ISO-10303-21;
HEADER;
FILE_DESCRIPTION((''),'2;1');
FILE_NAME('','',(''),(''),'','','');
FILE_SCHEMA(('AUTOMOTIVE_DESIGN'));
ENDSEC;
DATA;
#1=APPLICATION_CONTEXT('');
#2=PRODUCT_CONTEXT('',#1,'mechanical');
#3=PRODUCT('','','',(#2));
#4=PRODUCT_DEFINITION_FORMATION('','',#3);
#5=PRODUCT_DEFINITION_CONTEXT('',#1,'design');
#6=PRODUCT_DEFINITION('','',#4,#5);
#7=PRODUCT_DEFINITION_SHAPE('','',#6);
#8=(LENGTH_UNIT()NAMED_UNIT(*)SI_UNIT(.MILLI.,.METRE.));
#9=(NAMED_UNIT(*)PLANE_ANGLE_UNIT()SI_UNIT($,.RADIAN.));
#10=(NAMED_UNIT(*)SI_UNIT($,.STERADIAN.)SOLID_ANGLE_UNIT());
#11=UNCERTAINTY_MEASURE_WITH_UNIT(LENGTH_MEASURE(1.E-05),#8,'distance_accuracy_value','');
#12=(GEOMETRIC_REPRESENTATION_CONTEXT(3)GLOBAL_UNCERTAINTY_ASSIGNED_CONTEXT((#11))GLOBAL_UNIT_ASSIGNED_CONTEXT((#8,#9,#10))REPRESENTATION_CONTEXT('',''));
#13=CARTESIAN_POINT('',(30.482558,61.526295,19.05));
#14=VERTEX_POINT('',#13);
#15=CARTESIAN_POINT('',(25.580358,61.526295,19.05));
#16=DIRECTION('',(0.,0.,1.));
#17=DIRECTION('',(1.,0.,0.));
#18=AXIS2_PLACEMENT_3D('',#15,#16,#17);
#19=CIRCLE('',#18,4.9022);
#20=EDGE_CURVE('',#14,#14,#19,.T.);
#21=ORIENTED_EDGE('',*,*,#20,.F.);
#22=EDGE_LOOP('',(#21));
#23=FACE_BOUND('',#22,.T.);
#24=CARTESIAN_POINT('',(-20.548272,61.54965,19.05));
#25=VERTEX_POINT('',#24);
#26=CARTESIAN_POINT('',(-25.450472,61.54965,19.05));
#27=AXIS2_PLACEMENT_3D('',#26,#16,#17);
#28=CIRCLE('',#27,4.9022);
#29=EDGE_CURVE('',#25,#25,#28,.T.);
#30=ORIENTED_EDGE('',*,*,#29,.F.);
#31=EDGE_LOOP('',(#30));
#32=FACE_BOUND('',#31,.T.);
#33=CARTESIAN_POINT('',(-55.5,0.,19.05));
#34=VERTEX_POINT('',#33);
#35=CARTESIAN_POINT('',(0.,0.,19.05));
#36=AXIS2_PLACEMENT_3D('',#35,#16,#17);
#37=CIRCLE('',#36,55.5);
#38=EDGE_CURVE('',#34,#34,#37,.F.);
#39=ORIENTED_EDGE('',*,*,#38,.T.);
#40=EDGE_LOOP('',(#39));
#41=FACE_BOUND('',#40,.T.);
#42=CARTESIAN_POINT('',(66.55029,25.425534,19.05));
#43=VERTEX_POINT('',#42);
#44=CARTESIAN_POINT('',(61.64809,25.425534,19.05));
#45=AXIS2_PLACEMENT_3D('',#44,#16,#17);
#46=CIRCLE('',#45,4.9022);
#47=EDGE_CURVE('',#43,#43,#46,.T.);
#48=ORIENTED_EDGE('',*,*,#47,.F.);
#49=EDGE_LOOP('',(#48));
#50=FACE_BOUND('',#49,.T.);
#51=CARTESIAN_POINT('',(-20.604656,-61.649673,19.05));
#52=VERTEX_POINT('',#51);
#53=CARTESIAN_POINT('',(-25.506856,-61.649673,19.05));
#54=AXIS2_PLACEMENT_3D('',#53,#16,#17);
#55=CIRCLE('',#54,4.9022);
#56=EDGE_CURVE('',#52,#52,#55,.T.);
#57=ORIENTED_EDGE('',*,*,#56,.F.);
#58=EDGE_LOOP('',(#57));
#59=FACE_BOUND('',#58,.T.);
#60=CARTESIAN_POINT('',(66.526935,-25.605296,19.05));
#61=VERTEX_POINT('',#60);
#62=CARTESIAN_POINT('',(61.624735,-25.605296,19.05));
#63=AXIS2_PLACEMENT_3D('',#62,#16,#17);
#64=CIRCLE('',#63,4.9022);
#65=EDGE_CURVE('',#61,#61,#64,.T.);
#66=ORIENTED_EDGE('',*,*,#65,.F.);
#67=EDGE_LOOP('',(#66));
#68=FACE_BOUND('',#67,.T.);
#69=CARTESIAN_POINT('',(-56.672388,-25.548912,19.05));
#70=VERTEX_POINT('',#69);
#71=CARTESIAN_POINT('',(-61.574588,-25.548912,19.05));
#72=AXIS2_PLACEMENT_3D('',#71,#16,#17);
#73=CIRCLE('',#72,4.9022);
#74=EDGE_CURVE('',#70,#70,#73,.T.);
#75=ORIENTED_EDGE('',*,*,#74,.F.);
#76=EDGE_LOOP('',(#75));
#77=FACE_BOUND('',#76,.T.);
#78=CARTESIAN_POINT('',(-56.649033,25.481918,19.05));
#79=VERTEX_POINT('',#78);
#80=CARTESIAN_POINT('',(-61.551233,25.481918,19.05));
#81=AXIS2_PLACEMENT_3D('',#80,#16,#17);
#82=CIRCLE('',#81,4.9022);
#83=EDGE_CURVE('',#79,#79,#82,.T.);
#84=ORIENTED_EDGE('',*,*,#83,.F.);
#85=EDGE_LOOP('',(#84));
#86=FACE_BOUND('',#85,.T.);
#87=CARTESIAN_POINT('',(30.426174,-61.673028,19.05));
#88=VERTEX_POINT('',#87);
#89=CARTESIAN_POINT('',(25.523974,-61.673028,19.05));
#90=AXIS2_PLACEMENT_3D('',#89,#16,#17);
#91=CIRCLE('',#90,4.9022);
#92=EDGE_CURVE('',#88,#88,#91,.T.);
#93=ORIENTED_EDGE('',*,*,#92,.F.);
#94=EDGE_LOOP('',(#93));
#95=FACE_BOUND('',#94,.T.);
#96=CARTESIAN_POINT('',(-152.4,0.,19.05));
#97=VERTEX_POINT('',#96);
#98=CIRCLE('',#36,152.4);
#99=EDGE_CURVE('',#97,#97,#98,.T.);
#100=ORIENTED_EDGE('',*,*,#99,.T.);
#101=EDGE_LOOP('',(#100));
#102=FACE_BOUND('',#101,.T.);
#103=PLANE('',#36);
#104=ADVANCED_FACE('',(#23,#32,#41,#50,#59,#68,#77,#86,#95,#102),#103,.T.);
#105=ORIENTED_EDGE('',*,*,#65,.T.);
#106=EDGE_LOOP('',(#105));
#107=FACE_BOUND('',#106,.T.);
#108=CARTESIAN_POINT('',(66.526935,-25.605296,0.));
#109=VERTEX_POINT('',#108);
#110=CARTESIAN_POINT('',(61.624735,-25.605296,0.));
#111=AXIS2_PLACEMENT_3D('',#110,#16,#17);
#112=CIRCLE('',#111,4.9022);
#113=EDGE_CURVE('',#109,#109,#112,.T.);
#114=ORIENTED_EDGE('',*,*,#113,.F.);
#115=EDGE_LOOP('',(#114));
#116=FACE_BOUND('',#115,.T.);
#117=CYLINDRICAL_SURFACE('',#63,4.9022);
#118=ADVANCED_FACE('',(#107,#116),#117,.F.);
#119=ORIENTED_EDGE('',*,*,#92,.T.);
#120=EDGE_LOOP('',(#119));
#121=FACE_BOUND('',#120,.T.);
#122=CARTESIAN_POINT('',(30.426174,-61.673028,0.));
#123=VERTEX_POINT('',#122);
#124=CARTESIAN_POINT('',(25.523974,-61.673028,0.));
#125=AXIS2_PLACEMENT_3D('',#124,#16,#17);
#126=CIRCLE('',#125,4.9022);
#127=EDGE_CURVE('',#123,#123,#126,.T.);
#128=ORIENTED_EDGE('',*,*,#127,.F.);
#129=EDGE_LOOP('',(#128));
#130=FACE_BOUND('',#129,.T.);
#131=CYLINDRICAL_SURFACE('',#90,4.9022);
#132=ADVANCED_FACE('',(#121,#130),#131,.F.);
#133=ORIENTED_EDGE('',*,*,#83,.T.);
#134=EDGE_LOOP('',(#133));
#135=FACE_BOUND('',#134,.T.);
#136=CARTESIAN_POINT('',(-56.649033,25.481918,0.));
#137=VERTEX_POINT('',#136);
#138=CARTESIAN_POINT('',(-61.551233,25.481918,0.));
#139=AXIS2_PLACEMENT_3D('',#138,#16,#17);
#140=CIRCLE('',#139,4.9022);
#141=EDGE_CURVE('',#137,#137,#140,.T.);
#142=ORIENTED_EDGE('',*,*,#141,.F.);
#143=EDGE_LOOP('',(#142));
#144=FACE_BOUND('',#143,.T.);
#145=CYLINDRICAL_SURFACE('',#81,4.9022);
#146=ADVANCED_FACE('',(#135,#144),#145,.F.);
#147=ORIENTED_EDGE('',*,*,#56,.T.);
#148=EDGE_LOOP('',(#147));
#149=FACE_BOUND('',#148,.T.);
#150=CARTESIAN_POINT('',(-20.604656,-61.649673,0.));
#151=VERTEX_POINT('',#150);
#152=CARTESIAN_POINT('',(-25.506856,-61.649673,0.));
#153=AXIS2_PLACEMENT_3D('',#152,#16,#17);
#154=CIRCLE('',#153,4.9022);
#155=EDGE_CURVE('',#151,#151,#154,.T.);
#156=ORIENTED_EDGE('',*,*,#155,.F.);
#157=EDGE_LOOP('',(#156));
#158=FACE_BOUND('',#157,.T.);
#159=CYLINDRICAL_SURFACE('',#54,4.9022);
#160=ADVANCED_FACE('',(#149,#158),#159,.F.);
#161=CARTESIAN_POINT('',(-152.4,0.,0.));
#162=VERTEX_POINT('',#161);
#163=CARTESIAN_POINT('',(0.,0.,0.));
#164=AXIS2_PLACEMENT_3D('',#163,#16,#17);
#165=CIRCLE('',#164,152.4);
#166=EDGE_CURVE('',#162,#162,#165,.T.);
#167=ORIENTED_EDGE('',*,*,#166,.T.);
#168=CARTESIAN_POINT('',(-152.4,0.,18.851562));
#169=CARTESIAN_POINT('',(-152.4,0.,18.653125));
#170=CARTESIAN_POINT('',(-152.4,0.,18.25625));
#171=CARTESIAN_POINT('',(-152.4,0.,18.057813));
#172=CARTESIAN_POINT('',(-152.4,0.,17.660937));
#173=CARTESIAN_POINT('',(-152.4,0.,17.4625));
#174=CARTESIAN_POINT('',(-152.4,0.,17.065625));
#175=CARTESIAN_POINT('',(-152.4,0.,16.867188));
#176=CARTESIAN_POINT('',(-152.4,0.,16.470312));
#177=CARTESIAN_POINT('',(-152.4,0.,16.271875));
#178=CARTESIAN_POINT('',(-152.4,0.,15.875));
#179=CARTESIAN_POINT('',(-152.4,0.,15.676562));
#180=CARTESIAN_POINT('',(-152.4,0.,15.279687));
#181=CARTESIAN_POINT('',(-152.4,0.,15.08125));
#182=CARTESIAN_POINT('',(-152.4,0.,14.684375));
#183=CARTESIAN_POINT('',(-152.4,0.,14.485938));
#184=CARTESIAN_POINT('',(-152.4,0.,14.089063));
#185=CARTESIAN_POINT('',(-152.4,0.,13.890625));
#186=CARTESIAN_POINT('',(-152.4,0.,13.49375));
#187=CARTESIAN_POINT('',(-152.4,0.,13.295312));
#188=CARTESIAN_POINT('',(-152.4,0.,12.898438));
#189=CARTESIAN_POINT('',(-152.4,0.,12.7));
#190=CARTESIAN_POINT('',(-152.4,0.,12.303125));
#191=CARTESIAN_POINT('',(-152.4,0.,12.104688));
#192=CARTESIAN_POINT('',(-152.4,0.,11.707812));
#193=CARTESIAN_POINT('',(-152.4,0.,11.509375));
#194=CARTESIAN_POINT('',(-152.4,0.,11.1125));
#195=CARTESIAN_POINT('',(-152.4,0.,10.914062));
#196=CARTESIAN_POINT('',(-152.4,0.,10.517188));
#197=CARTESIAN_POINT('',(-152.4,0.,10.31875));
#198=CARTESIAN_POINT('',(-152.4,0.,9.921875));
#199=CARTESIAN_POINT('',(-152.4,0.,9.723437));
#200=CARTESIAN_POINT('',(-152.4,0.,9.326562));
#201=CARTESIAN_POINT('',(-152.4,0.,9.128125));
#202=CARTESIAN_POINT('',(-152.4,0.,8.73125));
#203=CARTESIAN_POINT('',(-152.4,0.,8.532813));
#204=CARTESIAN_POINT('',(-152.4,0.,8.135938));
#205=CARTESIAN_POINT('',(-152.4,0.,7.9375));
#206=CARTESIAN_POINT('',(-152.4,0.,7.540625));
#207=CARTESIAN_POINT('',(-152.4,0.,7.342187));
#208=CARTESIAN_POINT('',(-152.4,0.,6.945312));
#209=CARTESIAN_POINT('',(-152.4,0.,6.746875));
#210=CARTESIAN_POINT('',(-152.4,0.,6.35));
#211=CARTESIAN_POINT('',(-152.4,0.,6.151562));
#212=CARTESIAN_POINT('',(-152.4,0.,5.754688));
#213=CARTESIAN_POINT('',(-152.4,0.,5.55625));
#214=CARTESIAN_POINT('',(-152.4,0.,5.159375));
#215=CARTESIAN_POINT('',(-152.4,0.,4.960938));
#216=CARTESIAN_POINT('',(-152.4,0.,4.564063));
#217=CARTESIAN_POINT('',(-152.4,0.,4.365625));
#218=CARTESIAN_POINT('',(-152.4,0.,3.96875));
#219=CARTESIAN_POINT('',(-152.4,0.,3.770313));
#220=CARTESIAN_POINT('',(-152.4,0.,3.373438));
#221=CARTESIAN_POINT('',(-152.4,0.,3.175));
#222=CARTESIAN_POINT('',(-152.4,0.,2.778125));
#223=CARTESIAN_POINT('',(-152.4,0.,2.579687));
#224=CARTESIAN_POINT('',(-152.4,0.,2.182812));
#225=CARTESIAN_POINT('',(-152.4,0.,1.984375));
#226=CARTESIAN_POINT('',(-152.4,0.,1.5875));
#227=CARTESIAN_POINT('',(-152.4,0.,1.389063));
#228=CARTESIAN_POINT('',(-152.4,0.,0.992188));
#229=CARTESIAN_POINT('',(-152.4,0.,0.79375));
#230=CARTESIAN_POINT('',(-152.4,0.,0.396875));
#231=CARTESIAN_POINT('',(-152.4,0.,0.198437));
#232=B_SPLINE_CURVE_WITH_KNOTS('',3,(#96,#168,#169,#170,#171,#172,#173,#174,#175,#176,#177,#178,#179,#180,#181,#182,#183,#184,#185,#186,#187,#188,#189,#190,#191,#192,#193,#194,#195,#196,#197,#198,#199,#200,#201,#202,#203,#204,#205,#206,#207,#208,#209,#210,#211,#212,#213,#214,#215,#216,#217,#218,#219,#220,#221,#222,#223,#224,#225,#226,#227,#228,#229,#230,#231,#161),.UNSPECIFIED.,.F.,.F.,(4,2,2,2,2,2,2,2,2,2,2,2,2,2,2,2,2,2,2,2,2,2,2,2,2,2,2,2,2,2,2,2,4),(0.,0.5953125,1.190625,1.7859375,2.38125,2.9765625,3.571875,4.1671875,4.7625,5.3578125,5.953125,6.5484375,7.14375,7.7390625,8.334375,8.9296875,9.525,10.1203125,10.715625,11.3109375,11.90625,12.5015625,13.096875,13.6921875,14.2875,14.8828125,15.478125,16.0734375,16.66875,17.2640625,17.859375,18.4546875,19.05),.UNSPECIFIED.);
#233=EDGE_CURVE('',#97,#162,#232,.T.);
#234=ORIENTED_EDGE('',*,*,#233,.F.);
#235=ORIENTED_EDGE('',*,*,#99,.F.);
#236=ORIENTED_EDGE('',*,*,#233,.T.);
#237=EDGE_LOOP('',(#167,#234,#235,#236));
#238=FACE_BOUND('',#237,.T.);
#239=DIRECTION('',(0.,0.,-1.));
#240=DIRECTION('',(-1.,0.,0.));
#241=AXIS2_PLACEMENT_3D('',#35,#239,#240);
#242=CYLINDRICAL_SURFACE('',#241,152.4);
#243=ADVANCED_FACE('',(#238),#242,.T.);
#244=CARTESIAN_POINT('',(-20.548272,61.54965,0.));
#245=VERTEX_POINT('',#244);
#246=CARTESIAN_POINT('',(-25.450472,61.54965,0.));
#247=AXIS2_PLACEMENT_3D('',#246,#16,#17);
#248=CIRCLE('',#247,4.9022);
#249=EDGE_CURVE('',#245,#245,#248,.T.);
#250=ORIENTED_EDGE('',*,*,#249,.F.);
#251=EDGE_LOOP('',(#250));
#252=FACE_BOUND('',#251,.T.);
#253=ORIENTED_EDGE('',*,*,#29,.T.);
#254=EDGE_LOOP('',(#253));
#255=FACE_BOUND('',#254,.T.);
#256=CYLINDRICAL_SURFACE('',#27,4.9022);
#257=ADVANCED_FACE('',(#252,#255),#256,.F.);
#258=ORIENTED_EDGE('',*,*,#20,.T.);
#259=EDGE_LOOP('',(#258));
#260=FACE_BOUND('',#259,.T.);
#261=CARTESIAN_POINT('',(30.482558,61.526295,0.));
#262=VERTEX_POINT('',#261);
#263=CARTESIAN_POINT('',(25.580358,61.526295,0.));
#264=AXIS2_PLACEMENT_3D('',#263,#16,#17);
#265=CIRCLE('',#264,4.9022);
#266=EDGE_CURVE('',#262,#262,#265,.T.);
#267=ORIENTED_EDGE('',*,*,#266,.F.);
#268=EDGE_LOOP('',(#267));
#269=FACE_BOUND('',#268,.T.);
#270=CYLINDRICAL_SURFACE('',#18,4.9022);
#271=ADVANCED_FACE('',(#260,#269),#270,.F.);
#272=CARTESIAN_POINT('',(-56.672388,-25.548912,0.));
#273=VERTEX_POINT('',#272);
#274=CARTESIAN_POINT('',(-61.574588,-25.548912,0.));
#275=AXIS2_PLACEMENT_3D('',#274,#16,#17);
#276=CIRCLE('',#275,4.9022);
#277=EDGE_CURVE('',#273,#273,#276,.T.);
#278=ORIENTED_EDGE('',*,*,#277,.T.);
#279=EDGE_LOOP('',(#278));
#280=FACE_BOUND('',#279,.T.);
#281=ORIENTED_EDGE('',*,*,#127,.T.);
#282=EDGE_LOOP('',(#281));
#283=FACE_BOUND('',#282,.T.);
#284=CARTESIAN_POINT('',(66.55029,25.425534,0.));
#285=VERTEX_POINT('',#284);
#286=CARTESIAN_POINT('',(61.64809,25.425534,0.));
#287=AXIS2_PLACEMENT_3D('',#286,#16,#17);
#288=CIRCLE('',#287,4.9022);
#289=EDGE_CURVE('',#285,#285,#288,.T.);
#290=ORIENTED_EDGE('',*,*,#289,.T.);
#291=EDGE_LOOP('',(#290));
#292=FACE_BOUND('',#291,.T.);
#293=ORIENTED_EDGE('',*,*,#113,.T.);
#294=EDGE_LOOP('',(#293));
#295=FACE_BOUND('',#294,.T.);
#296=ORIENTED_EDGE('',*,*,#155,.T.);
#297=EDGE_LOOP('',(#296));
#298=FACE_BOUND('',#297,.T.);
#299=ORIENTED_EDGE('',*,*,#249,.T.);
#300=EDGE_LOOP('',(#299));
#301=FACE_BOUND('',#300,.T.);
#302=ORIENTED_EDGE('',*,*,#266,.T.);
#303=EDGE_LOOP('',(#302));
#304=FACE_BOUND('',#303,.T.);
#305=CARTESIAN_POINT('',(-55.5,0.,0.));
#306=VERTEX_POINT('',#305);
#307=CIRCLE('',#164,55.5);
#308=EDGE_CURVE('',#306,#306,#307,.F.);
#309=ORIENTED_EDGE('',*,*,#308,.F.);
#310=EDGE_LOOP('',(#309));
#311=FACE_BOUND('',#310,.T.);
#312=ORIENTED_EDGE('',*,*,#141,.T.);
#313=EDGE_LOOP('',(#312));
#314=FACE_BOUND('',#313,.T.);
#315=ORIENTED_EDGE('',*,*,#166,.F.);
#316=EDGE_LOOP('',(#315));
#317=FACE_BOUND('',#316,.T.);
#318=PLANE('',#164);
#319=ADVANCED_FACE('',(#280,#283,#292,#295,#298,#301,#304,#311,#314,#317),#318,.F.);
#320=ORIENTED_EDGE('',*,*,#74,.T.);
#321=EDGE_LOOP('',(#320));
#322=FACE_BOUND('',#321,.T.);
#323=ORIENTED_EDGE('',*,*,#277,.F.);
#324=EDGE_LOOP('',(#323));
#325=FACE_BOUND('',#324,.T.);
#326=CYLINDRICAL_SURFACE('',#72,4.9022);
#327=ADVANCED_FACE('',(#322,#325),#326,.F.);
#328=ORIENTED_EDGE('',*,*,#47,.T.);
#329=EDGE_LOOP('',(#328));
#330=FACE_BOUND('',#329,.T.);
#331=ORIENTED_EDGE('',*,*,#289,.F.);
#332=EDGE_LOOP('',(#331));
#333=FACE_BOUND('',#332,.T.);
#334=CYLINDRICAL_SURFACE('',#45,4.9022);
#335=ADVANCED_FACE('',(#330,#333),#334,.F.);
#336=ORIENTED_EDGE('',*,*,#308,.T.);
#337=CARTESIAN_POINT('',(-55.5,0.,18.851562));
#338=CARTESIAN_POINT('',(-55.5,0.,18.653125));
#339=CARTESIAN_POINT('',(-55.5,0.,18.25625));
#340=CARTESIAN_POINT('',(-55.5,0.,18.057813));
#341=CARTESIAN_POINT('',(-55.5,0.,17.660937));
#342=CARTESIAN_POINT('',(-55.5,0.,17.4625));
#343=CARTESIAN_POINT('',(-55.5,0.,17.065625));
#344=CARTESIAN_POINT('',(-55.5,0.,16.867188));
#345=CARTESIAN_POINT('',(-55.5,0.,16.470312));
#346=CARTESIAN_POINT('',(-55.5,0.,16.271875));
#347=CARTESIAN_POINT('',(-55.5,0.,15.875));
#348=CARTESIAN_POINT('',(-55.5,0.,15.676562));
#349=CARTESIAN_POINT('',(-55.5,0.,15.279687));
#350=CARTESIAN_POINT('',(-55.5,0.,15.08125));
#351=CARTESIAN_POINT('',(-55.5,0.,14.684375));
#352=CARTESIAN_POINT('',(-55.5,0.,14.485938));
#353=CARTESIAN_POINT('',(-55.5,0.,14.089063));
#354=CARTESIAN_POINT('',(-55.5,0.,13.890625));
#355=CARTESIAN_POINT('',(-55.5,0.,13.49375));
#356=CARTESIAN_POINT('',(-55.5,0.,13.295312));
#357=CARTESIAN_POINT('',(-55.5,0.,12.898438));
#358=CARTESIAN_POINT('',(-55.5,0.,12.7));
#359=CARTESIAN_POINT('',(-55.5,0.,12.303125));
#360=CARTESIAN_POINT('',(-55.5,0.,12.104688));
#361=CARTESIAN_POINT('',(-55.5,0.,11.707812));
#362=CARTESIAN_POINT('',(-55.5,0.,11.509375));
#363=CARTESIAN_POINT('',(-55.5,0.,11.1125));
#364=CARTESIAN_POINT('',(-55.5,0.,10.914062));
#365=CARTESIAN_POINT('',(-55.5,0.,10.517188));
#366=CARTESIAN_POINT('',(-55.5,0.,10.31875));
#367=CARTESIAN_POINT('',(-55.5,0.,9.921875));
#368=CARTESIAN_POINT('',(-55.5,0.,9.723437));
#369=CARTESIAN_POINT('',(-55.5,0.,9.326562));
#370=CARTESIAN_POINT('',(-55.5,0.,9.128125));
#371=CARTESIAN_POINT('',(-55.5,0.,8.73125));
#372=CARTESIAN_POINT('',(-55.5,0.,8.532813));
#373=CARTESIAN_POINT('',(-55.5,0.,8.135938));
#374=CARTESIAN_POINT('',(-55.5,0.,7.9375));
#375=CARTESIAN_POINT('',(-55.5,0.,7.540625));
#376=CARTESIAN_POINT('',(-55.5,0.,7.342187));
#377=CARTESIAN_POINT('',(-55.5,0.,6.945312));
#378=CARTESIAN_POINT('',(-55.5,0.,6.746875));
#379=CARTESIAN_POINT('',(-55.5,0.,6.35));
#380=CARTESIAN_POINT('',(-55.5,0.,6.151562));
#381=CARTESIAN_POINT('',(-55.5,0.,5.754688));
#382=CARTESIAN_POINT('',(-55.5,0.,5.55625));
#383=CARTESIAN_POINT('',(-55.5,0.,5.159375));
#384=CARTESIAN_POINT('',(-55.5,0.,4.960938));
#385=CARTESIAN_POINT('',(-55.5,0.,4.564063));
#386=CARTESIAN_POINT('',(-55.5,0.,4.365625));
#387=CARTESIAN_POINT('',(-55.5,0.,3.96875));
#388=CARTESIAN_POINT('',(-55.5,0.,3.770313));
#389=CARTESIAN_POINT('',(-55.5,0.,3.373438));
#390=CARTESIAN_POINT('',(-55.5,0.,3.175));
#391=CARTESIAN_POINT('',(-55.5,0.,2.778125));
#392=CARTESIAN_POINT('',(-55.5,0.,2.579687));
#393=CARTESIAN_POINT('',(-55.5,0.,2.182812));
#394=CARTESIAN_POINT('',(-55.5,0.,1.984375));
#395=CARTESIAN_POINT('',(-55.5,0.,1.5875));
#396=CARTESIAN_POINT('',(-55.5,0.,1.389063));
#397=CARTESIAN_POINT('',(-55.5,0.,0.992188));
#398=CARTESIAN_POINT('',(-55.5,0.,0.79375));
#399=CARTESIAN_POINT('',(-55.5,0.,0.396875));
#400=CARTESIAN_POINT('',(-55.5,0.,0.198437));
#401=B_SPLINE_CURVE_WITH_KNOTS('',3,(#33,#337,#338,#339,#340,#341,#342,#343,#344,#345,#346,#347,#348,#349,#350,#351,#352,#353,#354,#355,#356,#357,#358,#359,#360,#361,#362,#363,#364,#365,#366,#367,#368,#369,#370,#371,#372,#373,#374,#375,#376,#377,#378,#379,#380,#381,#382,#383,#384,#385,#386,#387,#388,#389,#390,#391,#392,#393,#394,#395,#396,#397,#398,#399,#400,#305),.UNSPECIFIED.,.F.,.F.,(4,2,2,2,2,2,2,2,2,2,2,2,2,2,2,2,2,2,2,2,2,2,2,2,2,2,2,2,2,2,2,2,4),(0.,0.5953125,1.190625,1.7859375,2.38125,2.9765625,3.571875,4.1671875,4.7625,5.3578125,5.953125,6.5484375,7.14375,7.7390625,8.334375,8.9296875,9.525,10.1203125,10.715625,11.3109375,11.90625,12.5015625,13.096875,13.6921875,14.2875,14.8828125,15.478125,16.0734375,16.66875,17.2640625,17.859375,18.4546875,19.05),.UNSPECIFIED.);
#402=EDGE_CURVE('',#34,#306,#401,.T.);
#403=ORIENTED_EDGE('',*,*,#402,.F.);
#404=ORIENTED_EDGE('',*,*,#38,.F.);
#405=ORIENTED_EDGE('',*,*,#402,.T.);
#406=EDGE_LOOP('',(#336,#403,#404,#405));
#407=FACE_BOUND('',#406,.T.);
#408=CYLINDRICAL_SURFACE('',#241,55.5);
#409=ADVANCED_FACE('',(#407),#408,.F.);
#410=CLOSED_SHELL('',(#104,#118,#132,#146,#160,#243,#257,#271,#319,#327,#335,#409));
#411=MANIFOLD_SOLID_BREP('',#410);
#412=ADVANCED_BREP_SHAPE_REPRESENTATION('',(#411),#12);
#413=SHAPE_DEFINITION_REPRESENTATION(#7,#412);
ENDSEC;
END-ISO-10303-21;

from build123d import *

# Parameters (mm, degrees)
SKETCH1_R                  = 152.4
BOSS_EXTRUDE1_DEPTH        = 19.05
SKETCH5_R                  = 55
CUT_EXTRUDE1_DEPTH         = 217.366407975
F_3_8_CLEARANCE_HOLE1_D    = 9.8044
NIPPLE_SOCKET_CLEARANCE_BY = 0.5


with BuildPart() as part:
    # Sketch1 → Boss-Extrude1 (new body)
    with BuildSketch(Plane.XY):
        with Locations(Location((0, 0, 0), (0, 0, 180))):
            Circle(SKETCH1_R)
    extrude(amount=BOSS_EXTRUDE1_DEPTH)

    # Sketch5 → Cut-Extrude1 (cut, through all)
    with BuildSketch(Plane(origin=(0, 0, 0), x_dir=(-1, 0, 0), z_dir=(0, 0, -1))):
        Circle(SKETCH5_R)
    extrude(amount=-CUT_EXTRUDE1_DEPTH, mode=Mode.SUBTRACT)

    # 3/8 Clearance Hole1 (through all)
    with Locations(Plane.XY.offset(19.05)):
        with Locations((25.523973959, -61.673028045), (61.624734649, -25.605296339), (61.648089668, 25.425534023), (25.580357962, 61.526294713), (-25.450472399, 61.549649732), (-61.55123309, 25.481918026), (-61.574588109, -25.548912335), (-25.506856403, -61.649673026)):
            Hole(F_3_8_CLEARANCE_HOLE1_D / 2)

    # nipple-socket-clearance: a curved face moved inward by 0.5
    add(Solid.thicken(part.faces().sort_by_distance((55, 0, 9.525))[0], -NIPPLE_SOCKET_CLEARANCE_BY), mode=Mode.SUBTRACT)


solid = part.part
